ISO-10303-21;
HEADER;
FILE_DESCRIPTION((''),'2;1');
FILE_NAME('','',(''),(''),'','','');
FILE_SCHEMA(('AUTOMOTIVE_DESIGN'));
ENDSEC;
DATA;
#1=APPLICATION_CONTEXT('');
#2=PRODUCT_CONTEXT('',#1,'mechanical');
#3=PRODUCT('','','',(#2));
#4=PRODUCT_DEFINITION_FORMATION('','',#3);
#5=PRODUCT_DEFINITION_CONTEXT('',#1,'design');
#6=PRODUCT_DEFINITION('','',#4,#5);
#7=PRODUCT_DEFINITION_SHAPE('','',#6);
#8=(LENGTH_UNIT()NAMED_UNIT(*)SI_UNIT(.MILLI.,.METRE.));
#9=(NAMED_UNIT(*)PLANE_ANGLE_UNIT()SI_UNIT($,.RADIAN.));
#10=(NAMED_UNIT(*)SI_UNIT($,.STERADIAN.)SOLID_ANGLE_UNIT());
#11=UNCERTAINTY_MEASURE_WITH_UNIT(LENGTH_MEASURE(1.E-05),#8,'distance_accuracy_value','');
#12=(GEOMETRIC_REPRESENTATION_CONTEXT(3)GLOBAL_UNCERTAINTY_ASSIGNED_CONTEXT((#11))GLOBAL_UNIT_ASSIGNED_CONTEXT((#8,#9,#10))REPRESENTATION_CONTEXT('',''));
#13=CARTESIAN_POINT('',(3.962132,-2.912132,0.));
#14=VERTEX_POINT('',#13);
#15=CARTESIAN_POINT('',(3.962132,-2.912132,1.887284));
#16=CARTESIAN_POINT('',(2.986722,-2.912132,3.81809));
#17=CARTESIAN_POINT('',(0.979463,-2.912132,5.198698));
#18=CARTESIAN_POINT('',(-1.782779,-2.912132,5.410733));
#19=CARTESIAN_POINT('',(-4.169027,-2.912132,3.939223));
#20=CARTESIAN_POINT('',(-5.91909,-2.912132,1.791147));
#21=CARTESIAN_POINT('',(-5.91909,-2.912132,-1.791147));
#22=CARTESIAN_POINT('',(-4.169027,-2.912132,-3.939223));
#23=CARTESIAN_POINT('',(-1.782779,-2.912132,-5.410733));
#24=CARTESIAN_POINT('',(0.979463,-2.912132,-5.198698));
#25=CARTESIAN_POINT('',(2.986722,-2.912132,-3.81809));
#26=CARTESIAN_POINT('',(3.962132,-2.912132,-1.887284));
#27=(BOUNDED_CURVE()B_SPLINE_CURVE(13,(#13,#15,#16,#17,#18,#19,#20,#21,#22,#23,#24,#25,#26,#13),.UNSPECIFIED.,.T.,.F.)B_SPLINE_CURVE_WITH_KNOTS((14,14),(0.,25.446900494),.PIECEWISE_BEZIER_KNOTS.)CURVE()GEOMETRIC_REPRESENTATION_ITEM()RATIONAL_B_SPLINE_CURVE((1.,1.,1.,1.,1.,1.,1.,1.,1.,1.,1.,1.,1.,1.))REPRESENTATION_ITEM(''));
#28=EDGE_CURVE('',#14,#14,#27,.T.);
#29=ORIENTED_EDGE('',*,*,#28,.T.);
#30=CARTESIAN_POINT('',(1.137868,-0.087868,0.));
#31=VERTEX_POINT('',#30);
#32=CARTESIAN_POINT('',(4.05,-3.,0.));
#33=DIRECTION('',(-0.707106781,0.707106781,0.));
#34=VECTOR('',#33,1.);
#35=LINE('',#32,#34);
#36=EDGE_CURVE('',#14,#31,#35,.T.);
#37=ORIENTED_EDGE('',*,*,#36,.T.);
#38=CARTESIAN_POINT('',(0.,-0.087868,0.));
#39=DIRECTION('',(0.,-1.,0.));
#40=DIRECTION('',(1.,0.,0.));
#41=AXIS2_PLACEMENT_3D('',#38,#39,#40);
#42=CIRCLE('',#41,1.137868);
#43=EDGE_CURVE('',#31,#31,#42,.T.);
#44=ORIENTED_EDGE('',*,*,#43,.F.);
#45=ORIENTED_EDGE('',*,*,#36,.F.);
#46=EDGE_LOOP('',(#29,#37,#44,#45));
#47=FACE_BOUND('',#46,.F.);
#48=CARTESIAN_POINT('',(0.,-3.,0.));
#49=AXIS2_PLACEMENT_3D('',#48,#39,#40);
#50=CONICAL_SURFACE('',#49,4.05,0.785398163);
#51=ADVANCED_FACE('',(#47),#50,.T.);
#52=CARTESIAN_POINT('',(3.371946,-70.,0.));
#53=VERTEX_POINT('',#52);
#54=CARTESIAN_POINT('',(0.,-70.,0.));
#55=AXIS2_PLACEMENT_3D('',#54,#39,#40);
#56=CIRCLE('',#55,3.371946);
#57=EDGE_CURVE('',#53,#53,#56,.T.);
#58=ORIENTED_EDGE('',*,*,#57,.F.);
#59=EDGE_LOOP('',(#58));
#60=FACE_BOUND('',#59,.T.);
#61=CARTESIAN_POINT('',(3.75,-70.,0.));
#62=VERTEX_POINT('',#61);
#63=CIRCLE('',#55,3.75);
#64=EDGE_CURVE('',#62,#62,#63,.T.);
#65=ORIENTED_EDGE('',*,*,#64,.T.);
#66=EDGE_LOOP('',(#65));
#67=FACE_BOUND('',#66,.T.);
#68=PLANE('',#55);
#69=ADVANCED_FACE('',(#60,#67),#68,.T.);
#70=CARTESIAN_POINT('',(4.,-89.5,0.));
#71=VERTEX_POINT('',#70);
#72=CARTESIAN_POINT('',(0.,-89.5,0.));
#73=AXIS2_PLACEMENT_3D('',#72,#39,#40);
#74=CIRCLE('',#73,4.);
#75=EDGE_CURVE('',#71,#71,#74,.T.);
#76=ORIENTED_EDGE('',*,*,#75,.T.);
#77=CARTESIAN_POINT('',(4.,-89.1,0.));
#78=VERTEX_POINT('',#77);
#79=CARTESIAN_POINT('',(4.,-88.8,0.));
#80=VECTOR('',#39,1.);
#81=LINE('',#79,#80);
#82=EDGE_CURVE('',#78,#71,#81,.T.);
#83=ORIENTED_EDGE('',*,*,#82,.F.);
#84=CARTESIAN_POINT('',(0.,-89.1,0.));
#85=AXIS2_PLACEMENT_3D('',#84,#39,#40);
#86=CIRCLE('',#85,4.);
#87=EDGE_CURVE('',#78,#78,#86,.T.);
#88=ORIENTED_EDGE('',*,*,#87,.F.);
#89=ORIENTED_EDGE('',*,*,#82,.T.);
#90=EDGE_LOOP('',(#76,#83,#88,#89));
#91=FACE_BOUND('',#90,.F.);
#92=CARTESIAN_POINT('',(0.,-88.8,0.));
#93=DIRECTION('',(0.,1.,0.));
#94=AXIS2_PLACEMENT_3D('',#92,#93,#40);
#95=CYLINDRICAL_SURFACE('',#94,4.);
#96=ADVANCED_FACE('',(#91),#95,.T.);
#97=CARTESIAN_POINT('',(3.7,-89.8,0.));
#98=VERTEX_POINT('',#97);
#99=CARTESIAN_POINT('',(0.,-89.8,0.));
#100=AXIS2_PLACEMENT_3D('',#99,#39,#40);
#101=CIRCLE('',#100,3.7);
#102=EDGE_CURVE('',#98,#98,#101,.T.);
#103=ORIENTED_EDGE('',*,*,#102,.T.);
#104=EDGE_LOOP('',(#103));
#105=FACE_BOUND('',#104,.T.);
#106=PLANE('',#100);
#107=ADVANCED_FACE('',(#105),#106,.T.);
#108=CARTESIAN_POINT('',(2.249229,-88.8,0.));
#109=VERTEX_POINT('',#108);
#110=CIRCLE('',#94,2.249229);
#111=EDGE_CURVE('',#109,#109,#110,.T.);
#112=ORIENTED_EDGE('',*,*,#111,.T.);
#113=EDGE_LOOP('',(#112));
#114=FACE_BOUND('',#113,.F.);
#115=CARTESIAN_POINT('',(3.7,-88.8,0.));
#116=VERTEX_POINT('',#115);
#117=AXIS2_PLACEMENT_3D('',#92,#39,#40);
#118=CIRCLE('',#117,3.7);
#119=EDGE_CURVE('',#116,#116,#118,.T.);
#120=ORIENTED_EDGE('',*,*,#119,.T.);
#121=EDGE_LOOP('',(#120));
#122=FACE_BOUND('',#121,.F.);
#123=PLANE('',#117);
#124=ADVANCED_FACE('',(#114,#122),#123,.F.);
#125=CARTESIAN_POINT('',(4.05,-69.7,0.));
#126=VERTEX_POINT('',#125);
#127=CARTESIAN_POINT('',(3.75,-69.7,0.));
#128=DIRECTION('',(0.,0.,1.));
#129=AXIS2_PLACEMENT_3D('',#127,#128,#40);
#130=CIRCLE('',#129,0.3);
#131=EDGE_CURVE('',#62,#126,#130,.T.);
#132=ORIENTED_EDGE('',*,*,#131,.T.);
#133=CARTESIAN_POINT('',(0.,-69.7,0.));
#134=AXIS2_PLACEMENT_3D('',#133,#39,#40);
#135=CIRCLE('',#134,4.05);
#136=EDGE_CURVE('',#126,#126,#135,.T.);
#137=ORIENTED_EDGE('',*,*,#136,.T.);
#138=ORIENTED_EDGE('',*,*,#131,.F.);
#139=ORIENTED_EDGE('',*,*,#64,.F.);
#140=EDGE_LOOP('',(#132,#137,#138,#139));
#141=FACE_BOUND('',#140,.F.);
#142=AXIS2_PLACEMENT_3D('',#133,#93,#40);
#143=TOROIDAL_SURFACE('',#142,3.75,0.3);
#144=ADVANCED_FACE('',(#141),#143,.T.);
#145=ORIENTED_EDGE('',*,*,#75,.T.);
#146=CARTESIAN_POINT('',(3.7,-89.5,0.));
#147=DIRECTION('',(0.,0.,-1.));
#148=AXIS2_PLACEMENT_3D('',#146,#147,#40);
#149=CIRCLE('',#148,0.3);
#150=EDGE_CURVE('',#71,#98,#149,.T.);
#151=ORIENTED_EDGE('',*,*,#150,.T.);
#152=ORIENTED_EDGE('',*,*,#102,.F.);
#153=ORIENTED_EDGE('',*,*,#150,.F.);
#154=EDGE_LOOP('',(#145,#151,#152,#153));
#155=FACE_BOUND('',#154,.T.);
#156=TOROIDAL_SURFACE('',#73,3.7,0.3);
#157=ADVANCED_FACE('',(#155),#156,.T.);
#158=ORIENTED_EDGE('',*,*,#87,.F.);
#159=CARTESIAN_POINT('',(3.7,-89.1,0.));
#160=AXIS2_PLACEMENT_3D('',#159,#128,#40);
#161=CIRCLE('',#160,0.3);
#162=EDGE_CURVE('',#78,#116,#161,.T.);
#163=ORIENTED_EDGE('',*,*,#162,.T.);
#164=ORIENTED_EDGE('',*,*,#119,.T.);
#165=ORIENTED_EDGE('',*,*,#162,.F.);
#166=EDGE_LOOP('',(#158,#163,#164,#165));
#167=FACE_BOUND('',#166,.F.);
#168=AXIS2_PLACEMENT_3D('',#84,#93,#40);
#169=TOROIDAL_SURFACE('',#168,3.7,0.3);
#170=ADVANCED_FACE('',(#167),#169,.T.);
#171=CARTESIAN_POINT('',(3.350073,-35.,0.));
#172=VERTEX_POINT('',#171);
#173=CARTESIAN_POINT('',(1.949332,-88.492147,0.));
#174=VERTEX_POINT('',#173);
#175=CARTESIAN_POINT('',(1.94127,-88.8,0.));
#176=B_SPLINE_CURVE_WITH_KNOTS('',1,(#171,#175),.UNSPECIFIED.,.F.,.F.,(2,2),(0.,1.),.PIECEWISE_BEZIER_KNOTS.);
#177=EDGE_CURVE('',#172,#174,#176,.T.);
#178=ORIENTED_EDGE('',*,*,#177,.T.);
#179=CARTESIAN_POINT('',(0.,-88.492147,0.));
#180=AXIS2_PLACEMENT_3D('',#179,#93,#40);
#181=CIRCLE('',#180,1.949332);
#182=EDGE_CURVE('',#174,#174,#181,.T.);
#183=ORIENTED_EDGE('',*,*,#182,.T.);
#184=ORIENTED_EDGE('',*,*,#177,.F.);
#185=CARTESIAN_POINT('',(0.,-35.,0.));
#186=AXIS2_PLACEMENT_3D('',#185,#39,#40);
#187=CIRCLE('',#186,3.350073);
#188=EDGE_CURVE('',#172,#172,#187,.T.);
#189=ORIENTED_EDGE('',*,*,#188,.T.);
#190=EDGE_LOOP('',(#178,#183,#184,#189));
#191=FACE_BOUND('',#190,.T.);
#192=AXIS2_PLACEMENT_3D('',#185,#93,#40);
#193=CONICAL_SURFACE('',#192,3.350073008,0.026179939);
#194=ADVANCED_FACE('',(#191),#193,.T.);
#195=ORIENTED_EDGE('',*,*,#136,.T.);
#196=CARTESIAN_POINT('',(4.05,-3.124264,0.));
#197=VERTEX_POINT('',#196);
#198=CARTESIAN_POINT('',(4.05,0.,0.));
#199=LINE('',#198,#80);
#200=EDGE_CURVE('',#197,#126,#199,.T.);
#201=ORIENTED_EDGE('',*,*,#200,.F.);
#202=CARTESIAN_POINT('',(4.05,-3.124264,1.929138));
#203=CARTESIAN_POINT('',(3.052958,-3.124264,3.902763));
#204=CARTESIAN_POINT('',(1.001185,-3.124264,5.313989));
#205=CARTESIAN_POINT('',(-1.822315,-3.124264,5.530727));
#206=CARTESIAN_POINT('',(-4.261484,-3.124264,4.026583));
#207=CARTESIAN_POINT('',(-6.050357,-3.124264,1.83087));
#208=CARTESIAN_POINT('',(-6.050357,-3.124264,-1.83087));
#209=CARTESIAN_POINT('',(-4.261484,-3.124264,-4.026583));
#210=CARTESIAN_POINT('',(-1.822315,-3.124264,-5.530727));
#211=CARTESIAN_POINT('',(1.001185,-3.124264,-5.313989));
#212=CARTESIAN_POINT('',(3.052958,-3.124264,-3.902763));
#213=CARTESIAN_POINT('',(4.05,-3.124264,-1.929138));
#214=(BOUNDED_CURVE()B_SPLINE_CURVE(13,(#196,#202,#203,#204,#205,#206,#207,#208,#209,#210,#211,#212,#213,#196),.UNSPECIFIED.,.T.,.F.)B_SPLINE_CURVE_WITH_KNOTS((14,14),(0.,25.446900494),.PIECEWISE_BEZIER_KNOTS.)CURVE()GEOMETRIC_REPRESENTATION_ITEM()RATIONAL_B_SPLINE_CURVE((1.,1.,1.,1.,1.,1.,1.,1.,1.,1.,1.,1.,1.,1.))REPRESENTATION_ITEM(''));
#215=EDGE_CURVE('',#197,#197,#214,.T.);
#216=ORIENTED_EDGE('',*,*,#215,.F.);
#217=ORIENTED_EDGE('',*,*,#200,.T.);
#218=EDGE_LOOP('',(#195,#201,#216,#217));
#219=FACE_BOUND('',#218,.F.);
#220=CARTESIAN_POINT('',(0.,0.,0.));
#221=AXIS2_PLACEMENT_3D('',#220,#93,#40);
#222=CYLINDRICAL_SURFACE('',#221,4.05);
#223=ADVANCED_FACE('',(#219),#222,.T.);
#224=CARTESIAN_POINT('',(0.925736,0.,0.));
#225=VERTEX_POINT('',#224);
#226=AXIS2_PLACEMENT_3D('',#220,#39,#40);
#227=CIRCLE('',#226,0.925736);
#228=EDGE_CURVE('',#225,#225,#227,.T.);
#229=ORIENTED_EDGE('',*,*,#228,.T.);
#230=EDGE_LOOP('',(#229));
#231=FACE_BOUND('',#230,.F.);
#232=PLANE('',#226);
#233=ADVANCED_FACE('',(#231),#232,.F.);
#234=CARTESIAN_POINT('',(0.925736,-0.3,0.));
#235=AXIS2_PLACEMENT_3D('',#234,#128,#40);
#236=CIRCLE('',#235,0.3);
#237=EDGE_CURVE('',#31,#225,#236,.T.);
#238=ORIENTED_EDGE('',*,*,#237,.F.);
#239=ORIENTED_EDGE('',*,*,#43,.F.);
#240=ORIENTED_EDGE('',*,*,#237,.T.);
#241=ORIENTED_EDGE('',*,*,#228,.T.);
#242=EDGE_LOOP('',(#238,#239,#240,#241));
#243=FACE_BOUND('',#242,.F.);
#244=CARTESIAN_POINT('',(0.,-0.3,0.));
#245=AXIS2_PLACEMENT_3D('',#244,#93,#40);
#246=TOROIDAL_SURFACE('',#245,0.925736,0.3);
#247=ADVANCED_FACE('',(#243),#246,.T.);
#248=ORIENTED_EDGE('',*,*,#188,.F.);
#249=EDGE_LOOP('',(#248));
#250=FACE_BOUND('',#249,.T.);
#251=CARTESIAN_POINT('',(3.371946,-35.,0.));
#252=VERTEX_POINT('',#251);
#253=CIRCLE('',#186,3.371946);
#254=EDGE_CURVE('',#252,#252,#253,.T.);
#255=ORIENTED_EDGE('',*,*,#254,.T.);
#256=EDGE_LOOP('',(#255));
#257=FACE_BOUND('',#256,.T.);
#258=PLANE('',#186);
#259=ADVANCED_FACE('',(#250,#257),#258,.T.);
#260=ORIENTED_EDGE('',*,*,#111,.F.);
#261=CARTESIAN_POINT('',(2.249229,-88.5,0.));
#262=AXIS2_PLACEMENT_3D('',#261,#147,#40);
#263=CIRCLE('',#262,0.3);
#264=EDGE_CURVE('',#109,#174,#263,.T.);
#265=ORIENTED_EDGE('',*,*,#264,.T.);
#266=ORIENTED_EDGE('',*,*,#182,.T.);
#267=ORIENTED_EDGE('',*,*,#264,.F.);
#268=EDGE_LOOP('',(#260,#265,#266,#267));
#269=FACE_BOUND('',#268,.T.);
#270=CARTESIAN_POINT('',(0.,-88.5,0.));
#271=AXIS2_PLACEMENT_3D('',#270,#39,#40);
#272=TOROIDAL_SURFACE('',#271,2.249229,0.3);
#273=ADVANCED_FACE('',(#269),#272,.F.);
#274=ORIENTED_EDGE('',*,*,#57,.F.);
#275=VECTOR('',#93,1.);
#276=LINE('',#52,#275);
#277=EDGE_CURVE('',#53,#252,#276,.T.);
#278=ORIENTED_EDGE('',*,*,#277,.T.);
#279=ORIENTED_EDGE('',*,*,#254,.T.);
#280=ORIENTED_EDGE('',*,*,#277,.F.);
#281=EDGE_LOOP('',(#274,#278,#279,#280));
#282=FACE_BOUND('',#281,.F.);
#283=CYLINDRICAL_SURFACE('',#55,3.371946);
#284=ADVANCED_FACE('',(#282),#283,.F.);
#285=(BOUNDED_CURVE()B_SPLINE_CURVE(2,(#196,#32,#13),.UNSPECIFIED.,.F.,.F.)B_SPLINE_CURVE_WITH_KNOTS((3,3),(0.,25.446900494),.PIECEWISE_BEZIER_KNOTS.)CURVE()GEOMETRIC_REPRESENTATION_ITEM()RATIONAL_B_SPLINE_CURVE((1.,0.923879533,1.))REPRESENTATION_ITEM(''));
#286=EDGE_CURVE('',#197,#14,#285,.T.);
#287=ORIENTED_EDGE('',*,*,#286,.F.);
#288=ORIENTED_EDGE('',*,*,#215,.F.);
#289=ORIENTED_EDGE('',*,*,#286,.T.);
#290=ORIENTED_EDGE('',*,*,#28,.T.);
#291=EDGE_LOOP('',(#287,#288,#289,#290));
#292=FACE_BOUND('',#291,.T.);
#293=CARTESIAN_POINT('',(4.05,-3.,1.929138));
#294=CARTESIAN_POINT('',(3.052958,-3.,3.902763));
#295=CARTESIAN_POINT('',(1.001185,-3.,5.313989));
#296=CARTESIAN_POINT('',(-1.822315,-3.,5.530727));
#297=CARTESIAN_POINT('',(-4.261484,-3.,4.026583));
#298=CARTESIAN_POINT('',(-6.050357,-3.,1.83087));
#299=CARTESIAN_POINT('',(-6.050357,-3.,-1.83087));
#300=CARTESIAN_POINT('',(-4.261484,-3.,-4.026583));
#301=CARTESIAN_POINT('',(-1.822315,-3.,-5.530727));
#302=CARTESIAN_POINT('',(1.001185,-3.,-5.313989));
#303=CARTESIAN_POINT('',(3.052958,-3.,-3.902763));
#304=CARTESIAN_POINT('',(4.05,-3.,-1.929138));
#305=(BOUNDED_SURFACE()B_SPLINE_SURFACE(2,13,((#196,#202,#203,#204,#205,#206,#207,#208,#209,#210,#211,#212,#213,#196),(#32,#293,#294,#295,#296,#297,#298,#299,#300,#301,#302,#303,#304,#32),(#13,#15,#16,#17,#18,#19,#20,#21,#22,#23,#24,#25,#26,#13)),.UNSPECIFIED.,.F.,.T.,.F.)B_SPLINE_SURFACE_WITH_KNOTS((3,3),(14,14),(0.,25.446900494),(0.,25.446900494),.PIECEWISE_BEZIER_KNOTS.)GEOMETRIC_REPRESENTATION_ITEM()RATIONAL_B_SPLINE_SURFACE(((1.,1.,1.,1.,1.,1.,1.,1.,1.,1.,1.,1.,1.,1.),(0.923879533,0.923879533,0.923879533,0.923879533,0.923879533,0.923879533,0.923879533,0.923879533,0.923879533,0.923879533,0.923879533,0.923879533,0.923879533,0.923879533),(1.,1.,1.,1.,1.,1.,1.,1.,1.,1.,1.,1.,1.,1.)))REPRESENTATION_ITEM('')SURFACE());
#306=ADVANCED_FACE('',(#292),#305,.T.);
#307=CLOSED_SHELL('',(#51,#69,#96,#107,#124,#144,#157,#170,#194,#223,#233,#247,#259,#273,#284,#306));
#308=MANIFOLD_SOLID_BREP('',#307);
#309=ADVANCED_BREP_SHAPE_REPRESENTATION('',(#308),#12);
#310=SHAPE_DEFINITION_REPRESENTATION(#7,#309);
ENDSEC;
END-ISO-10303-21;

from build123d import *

# Parameters (mm, degrees)
F0_R     = 4.05
F1_DEPTH = 70
F2_SIZE  = 3
F3_R     = 3.3719455649
F4_DEPTH = 35
F5_R     = 3.3500730085
F6_DEPTH = 53.8
F6_TAPER = 1.5
F7_R     = 4
F8_DEPTH = 1
F9_R     = 0.3


with BuildPart() as f1:
    # F0 (on Front) → F1 (new body)
    with BuildSketch(Plane.XZ):
        Circle(F0_R)
    extrude(amount=F1_DEPTH)

    # F2
    f2_edges = [f1.edges().sort_by_distance(p)[0] for p in [
        (-4.05, 0, 0),
    ]]
    chamfer(f2_edges, length=F2_SIZE)

    # F3 (on face) → F4 (cut)
    with BuildSketch(Plane.XZ.offset(70)):
        Circle(F3_R)
    extrude(amount=-F4_DEPTH, mode=Mode.SUBTRACT)

    # F5 (on face) → F6 (join)
    with BuildSketch(Plane.XZ.offset(35)):
        Circle(F5_R)
    extrude(amount=F6_DEPTH, taper=F6_TAPER)

    # F7 (on face) → F8 (join)
    with BuildSketch(Plane.XZ.offset(88.8)):
        Circle(F7_R)
    extrude(amount=F8_DEPTH)

    # F9
    f9_edges = [f1.edges().sort_by_distance(p)[0] for p in [
        (-4.05, -70, 0),
        (-4.05, -3, 0),
        (-1.05, 0, 0),
        (-1.94127, -88.8, 0),
        (-4, -88.8, 0),
        (-4, -89.8, 0),
    ]]
    fillet(f9_edges, radius=F9_R)


solid = f1.part
